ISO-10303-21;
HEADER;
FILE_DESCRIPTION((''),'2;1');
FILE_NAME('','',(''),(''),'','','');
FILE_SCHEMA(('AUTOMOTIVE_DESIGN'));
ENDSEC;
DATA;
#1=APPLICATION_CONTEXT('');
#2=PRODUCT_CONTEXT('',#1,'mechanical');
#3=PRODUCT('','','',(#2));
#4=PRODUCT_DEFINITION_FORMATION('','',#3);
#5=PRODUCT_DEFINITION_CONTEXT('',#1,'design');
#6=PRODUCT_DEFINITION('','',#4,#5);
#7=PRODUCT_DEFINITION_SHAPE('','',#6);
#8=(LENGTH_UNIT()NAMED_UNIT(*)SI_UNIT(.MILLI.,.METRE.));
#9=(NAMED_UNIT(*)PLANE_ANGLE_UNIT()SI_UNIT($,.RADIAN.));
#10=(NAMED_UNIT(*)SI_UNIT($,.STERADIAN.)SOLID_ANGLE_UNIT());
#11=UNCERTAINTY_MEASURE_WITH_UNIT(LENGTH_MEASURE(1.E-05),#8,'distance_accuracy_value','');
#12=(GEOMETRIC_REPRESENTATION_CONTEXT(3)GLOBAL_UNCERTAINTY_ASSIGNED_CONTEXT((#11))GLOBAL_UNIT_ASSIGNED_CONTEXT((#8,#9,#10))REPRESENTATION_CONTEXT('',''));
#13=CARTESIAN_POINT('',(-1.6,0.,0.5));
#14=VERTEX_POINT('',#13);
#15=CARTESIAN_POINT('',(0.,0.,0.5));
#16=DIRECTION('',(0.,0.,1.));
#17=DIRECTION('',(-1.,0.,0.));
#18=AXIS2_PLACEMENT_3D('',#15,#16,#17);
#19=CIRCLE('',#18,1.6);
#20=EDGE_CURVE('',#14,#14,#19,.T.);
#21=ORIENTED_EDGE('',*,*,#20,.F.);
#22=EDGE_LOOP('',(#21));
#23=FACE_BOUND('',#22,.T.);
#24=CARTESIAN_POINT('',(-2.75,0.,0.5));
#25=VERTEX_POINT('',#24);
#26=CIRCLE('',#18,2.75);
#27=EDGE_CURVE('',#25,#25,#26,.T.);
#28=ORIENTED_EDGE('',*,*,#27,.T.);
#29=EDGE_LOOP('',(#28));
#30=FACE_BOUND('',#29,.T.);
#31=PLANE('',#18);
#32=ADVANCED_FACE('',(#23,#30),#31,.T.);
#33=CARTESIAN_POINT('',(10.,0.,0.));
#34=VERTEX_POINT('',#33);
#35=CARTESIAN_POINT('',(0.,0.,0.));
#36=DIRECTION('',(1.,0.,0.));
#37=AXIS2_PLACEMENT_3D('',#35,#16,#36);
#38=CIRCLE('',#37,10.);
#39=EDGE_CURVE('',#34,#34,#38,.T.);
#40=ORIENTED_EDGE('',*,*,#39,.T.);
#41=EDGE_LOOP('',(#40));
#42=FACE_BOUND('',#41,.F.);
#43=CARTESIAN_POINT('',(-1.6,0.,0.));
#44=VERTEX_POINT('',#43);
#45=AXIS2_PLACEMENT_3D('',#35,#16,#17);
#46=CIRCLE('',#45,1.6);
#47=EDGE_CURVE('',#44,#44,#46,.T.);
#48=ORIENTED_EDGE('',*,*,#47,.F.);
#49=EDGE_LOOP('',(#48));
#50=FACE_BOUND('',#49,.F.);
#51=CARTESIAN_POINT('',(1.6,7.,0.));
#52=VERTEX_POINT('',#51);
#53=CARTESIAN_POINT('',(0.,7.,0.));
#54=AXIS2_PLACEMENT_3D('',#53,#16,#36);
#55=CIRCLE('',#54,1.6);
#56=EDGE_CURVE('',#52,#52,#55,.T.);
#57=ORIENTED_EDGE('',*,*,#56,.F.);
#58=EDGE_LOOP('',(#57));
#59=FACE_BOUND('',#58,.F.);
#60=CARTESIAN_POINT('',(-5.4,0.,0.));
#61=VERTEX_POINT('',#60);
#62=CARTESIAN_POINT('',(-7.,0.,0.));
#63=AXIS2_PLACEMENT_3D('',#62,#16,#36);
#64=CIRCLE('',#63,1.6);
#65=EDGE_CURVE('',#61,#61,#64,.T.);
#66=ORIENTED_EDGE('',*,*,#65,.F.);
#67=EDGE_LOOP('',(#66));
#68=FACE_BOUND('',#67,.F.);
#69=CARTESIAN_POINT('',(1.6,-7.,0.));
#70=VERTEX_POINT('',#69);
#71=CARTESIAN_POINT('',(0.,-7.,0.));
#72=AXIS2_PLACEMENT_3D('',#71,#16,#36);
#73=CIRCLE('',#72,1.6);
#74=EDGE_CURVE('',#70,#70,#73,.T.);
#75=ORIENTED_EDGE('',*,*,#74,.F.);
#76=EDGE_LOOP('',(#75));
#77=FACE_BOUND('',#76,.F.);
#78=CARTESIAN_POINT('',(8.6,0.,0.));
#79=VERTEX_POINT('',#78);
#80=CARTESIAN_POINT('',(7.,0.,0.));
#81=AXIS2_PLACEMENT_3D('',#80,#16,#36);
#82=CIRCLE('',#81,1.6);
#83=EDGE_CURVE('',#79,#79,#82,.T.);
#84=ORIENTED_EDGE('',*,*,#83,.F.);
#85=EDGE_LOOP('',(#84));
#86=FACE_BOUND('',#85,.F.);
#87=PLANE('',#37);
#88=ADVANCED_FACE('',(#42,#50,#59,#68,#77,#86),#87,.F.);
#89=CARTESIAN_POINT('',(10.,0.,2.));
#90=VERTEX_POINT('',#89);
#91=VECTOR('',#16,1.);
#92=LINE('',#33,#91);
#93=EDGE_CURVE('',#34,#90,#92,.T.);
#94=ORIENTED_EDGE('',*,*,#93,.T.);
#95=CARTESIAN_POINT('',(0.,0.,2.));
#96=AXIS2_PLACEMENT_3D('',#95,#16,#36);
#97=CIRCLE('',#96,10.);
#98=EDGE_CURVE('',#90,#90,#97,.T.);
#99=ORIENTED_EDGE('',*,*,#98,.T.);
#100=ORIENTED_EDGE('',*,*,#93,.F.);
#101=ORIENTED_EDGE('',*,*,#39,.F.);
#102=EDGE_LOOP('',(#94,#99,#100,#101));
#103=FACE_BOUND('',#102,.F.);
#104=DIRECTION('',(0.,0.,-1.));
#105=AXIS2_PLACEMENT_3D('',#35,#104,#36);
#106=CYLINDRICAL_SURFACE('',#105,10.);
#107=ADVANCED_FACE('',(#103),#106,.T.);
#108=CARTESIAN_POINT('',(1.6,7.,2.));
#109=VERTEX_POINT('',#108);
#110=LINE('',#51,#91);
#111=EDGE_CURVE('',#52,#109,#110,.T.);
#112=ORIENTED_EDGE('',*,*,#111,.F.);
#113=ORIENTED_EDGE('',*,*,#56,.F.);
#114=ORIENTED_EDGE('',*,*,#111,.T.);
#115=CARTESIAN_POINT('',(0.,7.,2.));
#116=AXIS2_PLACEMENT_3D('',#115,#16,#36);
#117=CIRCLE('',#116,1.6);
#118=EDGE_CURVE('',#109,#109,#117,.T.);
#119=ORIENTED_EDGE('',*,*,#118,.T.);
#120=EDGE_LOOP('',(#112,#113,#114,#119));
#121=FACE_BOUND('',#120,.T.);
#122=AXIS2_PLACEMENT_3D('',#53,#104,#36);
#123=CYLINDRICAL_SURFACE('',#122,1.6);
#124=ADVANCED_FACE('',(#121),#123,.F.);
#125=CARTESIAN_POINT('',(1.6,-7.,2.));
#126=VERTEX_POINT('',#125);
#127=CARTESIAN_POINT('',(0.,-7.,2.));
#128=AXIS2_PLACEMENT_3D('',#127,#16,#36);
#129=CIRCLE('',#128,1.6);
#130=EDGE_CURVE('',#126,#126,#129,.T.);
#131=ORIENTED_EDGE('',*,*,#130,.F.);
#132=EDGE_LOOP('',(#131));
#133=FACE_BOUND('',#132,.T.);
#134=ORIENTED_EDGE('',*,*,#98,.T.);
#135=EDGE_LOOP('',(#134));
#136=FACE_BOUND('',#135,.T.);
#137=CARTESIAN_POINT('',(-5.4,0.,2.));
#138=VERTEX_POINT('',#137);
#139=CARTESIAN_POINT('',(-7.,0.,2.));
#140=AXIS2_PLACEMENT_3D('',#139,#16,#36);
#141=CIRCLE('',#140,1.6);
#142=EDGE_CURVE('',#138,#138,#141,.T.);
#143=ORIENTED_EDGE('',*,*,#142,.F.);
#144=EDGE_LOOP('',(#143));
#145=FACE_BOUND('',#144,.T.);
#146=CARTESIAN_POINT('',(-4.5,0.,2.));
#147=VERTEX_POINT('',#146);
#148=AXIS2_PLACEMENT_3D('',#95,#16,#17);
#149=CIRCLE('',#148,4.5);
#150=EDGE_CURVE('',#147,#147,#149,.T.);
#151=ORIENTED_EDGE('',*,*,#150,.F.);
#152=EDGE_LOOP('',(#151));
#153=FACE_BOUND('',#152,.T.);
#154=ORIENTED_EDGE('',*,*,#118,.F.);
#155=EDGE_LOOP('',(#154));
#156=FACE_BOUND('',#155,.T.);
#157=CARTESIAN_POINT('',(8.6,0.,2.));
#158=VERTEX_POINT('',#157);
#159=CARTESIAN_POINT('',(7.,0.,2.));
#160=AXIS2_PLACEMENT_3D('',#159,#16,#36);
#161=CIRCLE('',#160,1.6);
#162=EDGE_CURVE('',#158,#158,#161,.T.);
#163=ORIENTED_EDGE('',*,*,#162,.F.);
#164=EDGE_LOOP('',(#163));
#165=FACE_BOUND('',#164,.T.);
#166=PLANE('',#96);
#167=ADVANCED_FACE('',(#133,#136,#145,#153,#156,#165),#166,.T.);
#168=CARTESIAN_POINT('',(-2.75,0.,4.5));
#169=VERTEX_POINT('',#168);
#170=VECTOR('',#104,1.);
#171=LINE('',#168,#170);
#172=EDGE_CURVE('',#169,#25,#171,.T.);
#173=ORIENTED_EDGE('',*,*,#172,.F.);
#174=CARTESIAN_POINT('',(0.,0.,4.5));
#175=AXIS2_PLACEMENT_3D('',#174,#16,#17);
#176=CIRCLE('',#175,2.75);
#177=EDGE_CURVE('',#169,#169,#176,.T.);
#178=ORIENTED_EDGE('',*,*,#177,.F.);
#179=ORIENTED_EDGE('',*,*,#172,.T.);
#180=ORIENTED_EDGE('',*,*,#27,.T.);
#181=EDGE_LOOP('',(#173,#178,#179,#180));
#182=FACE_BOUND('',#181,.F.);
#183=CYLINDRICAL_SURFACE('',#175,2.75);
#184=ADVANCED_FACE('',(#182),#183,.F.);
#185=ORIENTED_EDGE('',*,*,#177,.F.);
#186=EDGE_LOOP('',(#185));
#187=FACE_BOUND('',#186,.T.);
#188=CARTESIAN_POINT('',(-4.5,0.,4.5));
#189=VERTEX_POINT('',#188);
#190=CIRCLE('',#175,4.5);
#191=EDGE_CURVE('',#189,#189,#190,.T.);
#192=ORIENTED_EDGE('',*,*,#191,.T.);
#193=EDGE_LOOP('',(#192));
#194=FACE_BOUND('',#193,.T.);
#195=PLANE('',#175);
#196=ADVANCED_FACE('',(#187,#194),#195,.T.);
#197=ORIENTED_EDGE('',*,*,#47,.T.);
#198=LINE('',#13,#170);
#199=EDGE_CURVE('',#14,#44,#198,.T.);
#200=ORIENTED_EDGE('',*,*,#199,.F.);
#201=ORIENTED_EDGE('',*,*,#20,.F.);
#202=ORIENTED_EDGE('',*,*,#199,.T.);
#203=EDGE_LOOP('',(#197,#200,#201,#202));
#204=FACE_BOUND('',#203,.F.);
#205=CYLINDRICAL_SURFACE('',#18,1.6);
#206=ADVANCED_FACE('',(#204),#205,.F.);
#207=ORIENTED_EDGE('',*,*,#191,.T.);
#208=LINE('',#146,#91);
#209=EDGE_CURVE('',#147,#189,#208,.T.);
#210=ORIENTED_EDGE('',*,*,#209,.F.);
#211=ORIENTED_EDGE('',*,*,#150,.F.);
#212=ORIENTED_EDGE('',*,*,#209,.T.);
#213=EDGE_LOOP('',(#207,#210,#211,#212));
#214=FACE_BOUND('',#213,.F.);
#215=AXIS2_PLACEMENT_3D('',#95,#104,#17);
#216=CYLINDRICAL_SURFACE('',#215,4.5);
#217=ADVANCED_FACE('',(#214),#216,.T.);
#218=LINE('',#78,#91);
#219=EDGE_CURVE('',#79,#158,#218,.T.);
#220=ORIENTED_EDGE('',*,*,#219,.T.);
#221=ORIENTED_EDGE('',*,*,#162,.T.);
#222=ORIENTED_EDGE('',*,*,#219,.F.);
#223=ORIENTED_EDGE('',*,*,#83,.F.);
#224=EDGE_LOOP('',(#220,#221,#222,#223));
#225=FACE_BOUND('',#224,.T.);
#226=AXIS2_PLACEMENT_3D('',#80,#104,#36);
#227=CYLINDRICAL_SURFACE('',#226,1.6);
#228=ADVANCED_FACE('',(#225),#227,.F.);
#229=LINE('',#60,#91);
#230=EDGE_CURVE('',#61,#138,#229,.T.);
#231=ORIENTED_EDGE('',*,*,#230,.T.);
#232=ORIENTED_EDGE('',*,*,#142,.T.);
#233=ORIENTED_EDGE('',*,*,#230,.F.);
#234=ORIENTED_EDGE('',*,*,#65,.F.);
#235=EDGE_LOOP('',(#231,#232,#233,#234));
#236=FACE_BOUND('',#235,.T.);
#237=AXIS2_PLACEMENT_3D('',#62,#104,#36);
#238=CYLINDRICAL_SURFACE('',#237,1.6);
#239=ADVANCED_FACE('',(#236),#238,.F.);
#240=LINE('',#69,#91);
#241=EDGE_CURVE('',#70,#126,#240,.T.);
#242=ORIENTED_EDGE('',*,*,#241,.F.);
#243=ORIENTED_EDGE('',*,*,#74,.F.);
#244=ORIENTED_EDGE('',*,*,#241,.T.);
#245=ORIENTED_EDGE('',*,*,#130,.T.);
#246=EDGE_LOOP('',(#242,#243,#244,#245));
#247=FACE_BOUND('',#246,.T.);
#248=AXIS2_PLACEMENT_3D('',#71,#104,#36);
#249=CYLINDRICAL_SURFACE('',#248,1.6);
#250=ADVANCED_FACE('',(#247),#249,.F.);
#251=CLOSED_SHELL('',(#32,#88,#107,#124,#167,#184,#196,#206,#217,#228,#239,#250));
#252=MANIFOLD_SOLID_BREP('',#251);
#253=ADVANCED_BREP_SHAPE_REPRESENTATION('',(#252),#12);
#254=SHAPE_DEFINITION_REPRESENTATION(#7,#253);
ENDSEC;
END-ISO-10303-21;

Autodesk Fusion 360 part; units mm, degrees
sketch "草图1" plane through (0, 0, 0) normal (0, 0, 1) x (1, 0, 0)
  circle A0 centre (0, 0) radius 10
  circle A1 centre (0, 0) radius 7 construction
  line L0 (-4, 0) -> (3, 0)
  circle A2 centre (7, 0) radius 1.6
  circle A3 centre (0, 7) radius 1.6
  circle A4 centre (-7, 0) radius 1.6
  circle A5 centre (0, -7) radius 1.6
  dimension "d1" = 20
  dimension "d2" = 14
  dimension "d3" = 3.2
  dimension "d5" = 360
extrude "拉伸1" add sketch "草图1" along normal blind 2 makes body 1
sketch "草图2" plane through (0, 0, 2) normal (0, 0, 1) x (-1, 0, 0)
  circle A0 centre (0, 7) radius 1.6
  circle A1 centre (7, 0) radius 1.6
  circle A2 centre (-7, 0) radius 1.6
  circle A3 centre (0, -7) radius 1.6
  circle A4 centre (0, 0) radius 10
  circle A5 centre (0, 0) radius 4.5
  dimension "d8" = 9
extrude "拉伸2" add sketch "草图2" along normal blind 2.5 contours A5 bodies 1
sketch "草图3" plane through (0, 0, 4.5) normal (0, 0, 1) x (-1, 0, 0)
  circle A0 centre (0, 0) radius 4.5
  circle A1 centre (0, 0) radius 2.75
  dimension "d11" = 5.5
extrude "拉伸3" cut sketch "草图3" against normal blind 4 contours A1 bodies 1
sketch "草图4" plane through (0, 0, 0.5) normal (0, 0, 1) x (-1, 0, 0)
  circle A0 centre (0, 0) radius 2.75
  circle A1 centre (0, 0) radius 1.6
  dimension "d14" = 3.2
extrude "拉伸4" cut sketch "草图4" against normal blind 2 contours A1 bodies 1
copy_body "实体->零部件1" bodies 1 removing the originals makes body 2 in component "金属舵盘"
component "金属舵盘" placed x (1, 0, 0) y (0, 1, 0) z (0, 0, 1) at (0, 0, 0)
